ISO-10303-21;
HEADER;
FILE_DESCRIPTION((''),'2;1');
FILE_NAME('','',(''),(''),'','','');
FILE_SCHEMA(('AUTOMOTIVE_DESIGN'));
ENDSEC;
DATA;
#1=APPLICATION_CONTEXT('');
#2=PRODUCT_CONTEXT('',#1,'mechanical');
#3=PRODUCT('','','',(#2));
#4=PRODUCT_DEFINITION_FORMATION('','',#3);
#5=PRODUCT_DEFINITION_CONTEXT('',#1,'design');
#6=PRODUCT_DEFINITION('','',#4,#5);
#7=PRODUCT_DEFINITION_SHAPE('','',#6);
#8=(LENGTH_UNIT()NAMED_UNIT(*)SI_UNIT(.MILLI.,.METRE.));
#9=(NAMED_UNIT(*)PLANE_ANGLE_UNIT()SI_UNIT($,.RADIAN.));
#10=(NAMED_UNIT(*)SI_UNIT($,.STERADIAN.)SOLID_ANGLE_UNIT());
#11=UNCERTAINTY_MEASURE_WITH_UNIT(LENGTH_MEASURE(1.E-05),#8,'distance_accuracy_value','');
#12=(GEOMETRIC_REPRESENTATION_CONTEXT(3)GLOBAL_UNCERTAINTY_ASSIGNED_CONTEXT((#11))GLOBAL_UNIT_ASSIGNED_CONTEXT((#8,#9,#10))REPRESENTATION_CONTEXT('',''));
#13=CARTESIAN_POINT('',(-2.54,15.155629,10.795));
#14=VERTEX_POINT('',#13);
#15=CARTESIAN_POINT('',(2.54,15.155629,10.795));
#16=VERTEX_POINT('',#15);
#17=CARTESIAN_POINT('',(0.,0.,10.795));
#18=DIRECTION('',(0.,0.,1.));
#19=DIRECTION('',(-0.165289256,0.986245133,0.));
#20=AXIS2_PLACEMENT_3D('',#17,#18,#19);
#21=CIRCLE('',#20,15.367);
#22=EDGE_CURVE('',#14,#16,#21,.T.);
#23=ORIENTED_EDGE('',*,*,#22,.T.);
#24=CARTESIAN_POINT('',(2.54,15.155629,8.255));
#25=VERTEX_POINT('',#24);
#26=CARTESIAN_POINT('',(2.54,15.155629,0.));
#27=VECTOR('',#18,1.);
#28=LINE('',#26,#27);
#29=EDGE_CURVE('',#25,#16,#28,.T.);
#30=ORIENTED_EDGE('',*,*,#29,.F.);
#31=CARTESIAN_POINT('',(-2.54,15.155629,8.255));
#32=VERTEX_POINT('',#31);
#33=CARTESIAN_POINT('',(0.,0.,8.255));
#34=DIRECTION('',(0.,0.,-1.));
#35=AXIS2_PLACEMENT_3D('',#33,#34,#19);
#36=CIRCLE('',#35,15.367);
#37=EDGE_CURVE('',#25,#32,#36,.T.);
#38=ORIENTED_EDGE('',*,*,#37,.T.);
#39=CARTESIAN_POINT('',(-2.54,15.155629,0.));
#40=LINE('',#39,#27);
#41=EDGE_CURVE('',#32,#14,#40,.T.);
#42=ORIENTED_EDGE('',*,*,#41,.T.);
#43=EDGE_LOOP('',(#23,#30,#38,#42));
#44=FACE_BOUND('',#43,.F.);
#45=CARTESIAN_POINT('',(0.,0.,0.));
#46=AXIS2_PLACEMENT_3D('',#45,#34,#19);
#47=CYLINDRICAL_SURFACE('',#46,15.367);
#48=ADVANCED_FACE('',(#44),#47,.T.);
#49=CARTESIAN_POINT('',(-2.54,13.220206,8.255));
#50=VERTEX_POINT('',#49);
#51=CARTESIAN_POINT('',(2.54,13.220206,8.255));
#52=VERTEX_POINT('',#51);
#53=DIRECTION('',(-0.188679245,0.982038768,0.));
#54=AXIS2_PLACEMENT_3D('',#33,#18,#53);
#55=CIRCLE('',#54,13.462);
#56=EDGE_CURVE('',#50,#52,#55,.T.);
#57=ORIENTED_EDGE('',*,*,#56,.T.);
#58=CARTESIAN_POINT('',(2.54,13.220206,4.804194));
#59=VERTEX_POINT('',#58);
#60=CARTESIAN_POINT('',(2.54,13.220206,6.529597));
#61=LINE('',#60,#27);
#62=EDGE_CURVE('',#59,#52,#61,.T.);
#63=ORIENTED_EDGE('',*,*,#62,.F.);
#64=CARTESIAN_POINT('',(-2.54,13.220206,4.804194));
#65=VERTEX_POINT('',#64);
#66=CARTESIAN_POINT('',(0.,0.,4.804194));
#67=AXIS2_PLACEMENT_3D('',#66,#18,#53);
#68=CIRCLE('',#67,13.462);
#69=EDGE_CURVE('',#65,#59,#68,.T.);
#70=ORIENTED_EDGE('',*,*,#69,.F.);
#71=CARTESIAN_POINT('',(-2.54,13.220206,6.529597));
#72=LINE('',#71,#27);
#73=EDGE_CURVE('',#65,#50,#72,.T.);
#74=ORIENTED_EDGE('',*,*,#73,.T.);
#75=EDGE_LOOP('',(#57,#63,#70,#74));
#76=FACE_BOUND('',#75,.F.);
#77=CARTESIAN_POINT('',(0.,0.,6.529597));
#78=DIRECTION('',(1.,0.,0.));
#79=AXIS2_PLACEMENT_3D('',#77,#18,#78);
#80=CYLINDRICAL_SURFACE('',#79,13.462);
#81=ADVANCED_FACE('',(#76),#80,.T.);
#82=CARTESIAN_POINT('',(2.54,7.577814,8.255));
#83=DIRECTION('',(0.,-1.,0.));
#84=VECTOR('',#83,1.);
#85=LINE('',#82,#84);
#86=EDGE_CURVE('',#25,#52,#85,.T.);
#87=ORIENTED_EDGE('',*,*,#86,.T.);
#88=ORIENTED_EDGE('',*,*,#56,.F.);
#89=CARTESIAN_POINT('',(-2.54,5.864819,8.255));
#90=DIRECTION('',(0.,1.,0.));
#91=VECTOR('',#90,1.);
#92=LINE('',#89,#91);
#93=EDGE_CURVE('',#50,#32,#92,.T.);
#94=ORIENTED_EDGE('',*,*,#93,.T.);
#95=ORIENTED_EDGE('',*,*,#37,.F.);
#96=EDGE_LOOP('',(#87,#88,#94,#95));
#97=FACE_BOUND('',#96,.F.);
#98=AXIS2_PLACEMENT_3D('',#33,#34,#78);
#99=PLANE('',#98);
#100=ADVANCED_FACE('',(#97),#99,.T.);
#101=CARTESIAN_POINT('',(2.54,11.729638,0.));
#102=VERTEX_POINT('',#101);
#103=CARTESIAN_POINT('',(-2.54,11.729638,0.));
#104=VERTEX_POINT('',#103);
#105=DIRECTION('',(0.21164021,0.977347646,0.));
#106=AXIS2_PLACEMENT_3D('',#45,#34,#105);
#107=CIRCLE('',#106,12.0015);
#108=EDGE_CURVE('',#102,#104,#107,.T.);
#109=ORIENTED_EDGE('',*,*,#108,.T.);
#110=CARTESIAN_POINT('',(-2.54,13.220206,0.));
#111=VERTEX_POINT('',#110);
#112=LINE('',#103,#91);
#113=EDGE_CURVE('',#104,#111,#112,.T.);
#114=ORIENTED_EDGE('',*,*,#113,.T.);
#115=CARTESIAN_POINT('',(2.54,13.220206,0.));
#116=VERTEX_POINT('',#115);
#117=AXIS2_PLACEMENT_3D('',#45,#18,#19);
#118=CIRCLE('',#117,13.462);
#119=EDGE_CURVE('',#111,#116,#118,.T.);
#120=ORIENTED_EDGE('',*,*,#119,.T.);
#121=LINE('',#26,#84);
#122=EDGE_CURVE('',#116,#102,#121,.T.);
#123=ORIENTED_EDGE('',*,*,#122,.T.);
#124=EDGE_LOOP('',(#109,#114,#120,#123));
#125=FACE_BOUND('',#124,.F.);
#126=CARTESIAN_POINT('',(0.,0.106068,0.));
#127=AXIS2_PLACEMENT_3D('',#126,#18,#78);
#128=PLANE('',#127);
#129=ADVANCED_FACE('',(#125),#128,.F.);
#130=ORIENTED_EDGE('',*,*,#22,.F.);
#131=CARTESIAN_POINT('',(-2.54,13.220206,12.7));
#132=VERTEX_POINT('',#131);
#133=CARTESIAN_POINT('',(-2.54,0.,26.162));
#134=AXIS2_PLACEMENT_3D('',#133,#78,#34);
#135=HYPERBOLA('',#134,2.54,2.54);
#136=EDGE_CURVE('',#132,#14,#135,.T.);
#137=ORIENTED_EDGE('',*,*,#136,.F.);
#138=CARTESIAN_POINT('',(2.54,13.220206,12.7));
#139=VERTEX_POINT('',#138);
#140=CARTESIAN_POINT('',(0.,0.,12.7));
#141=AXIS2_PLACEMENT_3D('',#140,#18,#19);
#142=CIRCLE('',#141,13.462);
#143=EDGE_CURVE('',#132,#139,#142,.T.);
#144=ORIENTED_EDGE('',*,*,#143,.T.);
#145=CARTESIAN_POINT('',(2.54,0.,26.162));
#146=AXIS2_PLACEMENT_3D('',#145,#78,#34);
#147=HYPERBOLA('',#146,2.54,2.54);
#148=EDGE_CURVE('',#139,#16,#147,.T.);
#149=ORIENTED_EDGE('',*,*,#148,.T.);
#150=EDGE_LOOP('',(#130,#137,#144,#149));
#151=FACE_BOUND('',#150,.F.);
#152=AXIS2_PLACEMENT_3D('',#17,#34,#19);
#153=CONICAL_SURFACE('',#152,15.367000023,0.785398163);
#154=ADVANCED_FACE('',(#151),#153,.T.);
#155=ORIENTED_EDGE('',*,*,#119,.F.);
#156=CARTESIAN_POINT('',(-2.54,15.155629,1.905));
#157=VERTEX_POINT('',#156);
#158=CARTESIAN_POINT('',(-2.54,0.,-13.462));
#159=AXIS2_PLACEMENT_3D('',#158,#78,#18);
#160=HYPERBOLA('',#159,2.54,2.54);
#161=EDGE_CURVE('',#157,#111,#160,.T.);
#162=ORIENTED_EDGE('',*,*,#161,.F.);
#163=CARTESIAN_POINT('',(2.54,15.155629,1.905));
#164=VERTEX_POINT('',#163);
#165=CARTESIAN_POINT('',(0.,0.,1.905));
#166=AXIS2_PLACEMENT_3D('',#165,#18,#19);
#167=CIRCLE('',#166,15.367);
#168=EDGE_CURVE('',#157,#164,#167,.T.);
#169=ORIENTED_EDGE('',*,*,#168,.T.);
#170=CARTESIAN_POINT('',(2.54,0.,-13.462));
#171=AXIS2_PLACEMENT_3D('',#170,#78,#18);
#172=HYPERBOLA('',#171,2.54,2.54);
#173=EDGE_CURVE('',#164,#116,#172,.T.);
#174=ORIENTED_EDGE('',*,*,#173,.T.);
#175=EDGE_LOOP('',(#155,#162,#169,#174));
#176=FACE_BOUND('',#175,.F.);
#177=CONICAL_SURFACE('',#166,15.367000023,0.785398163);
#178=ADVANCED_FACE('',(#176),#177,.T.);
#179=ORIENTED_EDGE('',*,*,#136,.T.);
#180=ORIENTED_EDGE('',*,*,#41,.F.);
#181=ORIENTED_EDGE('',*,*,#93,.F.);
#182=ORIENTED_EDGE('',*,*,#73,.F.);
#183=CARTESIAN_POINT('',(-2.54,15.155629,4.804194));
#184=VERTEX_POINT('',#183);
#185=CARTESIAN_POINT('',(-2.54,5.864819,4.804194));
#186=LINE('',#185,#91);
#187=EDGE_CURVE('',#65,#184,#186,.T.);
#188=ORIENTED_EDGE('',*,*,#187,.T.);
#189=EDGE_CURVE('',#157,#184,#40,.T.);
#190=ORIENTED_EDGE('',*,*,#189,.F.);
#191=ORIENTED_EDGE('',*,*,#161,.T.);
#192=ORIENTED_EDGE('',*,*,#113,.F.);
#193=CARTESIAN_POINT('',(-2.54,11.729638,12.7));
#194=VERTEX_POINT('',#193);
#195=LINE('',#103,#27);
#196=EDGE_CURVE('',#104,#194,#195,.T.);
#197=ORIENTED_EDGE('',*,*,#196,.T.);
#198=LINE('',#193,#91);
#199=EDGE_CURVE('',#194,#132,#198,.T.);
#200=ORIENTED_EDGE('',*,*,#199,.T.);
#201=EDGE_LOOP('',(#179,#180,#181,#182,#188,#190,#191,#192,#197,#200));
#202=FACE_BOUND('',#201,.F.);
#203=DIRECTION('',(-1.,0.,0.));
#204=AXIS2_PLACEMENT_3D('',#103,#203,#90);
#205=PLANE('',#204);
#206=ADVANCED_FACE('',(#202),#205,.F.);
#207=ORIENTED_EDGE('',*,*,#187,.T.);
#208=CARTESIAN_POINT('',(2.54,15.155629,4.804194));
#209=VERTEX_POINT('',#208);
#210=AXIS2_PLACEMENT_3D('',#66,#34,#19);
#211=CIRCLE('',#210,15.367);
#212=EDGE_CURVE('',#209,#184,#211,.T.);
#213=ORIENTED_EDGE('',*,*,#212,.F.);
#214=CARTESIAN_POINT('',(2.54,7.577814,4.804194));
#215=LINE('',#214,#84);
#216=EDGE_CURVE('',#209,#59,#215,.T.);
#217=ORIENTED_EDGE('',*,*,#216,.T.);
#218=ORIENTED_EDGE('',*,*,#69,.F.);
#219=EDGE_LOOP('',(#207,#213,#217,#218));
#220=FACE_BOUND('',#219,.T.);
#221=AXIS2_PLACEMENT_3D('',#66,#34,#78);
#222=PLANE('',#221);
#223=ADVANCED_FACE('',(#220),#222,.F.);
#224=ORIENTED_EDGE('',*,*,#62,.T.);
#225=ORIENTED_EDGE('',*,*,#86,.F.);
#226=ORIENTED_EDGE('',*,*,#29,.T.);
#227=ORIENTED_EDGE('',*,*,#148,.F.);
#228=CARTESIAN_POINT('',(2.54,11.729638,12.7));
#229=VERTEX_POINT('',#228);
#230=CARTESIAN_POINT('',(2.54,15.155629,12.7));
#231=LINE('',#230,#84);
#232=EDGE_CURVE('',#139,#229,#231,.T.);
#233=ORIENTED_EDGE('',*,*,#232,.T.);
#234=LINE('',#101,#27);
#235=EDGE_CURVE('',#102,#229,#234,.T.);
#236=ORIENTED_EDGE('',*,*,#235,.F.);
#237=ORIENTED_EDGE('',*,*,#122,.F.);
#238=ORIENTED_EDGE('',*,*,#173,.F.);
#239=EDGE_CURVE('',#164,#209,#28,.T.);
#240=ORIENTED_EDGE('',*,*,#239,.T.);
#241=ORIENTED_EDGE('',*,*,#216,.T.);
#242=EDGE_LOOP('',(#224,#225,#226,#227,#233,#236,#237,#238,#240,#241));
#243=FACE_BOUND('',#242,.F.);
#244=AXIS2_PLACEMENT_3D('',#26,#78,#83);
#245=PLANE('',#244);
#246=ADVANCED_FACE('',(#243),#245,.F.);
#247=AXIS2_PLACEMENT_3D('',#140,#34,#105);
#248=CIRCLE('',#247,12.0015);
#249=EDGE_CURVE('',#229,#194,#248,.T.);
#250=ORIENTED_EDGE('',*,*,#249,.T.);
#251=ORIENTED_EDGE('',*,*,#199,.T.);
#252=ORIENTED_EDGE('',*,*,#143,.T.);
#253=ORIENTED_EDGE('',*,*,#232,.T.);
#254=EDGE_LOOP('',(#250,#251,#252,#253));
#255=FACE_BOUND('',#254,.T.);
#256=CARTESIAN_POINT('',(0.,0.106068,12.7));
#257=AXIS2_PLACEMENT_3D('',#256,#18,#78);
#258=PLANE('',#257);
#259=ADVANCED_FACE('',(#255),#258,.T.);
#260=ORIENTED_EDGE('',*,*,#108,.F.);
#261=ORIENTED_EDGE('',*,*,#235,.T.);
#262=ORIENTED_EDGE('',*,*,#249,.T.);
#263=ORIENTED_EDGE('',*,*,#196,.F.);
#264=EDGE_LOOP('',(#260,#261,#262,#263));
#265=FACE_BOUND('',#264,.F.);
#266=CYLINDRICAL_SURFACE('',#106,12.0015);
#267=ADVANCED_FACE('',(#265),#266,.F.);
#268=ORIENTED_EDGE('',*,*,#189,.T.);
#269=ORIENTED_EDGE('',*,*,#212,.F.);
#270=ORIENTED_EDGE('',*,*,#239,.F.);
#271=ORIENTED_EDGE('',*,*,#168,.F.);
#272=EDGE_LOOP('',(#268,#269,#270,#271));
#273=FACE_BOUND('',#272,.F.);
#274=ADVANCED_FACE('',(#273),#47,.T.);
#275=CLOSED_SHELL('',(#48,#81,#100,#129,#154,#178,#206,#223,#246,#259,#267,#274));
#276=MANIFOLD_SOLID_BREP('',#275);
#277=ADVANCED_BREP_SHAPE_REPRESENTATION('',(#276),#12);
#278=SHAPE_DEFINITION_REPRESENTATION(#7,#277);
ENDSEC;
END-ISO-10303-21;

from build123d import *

# Parameters (mm, degrees)
F1_DEPTH = 12.7
F2_W     = 2.116344
F2_H     = 3.450806
F4_SIZE  = 1.905


with BuildPart() as f1:
    # F0 (on Top) → F1 (new body)
    with BuildSketch(Plane.XY):
        with BuildLine():
            ThreePointArc((2.54, 11.729638), (0, -12.0015), (-2.54, 11.729638))
            Line((-2.54, 11.729638), (-2.54, 15.155629))
            ThreePointArc((-2.54, 15.155629), (0, -15.367), (2.54, 15.155629))
            Line((2.54, 15.155629), (2.54, 11.729638))
        make_face()
    extrude(amount=F1_DEPTH)

    # F2 (on Front) → F3 (revolve, cut)
    with BuildSketch(Plane.XZ):
        with Locations((14.520172, 6.529597)):
            Rectangle(F2_W, F2_H)
    revolve(axis=Axis((0, 0, 7.00403), (0, 0, -1)), mode=Mode.SUBTRACT)

    # F4
    f4_edges = [f1.edges().sort_by_distance(p)[0] for p in [
        (0, -15.367, 12.7),
        (0, -15.367, 0),
    ]]
    chamfer(f4_edges, length=F4_SIZE)


solid = f1.part
